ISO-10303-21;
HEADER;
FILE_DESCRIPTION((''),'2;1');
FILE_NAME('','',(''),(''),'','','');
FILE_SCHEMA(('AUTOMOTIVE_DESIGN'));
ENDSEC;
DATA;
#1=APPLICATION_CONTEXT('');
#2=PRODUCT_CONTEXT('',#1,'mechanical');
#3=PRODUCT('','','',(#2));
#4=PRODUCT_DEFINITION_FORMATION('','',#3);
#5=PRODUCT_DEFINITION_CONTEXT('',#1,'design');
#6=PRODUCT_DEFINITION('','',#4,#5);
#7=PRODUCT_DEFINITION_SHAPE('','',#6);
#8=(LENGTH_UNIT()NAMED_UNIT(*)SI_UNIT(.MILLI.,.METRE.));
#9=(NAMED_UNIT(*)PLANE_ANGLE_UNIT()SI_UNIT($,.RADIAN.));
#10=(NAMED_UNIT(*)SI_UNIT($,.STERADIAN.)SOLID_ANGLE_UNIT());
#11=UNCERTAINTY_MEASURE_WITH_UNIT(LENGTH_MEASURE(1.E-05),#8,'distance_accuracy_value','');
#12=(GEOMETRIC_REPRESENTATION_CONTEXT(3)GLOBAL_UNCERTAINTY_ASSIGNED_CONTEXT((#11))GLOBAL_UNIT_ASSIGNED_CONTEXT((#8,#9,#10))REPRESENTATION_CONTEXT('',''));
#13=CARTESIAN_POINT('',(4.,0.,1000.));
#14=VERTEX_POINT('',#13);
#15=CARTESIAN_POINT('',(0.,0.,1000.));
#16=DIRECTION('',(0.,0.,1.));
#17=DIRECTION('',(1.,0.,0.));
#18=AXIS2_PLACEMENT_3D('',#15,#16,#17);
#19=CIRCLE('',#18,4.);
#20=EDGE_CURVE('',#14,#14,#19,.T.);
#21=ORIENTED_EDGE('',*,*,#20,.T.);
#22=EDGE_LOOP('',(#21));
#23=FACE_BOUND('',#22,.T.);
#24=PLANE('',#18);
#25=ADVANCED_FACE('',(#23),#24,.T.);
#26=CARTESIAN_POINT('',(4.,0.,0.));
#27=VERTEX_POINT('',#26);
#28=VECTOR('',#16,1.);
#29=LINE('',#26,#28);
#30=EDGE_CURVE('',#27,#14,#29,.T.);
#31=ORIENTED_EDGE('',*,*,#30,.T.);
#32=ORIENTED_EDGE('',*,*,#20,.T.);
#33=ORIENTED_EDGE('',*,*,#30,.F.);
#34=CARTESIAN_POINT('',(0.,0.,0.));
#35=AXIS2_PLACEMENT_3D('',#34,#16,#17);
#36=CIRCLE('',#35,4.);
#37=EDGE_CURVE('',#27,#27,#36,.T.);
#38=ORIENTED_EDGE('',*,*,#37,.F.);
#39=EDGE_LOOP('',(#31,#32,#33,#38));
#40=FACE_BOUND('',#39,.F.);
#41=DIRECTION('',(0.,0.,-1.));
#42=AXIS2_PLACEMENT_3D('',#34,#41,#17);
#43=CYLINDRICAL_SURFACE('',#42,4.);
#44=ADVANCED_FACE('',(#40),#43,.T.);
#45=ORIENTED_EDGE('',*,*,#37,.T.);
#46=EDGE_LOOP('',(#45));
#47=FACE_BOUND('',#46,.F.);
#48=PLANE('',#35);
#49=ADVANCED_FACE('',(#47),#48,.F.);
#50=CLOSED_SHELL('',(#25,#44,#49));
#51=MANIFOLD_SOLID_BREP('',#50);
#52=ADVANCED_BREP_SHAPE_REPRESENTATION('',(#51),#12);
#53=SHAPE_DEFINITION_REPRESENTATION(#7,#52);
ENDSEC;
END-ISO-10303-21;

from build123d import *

# Parameters (mm, degrees)
CYLINDER_R     = 4
CYLINDER_DEPTH = 1000


with BuildPart() as part:
    # Cylinder → Cylinder (new body)
    with BuildSketch(Plane.XY):
        Circle(CYLINDER_R)
    extrude(amount=CYLINDER_DEPTH)


solid = part.part
